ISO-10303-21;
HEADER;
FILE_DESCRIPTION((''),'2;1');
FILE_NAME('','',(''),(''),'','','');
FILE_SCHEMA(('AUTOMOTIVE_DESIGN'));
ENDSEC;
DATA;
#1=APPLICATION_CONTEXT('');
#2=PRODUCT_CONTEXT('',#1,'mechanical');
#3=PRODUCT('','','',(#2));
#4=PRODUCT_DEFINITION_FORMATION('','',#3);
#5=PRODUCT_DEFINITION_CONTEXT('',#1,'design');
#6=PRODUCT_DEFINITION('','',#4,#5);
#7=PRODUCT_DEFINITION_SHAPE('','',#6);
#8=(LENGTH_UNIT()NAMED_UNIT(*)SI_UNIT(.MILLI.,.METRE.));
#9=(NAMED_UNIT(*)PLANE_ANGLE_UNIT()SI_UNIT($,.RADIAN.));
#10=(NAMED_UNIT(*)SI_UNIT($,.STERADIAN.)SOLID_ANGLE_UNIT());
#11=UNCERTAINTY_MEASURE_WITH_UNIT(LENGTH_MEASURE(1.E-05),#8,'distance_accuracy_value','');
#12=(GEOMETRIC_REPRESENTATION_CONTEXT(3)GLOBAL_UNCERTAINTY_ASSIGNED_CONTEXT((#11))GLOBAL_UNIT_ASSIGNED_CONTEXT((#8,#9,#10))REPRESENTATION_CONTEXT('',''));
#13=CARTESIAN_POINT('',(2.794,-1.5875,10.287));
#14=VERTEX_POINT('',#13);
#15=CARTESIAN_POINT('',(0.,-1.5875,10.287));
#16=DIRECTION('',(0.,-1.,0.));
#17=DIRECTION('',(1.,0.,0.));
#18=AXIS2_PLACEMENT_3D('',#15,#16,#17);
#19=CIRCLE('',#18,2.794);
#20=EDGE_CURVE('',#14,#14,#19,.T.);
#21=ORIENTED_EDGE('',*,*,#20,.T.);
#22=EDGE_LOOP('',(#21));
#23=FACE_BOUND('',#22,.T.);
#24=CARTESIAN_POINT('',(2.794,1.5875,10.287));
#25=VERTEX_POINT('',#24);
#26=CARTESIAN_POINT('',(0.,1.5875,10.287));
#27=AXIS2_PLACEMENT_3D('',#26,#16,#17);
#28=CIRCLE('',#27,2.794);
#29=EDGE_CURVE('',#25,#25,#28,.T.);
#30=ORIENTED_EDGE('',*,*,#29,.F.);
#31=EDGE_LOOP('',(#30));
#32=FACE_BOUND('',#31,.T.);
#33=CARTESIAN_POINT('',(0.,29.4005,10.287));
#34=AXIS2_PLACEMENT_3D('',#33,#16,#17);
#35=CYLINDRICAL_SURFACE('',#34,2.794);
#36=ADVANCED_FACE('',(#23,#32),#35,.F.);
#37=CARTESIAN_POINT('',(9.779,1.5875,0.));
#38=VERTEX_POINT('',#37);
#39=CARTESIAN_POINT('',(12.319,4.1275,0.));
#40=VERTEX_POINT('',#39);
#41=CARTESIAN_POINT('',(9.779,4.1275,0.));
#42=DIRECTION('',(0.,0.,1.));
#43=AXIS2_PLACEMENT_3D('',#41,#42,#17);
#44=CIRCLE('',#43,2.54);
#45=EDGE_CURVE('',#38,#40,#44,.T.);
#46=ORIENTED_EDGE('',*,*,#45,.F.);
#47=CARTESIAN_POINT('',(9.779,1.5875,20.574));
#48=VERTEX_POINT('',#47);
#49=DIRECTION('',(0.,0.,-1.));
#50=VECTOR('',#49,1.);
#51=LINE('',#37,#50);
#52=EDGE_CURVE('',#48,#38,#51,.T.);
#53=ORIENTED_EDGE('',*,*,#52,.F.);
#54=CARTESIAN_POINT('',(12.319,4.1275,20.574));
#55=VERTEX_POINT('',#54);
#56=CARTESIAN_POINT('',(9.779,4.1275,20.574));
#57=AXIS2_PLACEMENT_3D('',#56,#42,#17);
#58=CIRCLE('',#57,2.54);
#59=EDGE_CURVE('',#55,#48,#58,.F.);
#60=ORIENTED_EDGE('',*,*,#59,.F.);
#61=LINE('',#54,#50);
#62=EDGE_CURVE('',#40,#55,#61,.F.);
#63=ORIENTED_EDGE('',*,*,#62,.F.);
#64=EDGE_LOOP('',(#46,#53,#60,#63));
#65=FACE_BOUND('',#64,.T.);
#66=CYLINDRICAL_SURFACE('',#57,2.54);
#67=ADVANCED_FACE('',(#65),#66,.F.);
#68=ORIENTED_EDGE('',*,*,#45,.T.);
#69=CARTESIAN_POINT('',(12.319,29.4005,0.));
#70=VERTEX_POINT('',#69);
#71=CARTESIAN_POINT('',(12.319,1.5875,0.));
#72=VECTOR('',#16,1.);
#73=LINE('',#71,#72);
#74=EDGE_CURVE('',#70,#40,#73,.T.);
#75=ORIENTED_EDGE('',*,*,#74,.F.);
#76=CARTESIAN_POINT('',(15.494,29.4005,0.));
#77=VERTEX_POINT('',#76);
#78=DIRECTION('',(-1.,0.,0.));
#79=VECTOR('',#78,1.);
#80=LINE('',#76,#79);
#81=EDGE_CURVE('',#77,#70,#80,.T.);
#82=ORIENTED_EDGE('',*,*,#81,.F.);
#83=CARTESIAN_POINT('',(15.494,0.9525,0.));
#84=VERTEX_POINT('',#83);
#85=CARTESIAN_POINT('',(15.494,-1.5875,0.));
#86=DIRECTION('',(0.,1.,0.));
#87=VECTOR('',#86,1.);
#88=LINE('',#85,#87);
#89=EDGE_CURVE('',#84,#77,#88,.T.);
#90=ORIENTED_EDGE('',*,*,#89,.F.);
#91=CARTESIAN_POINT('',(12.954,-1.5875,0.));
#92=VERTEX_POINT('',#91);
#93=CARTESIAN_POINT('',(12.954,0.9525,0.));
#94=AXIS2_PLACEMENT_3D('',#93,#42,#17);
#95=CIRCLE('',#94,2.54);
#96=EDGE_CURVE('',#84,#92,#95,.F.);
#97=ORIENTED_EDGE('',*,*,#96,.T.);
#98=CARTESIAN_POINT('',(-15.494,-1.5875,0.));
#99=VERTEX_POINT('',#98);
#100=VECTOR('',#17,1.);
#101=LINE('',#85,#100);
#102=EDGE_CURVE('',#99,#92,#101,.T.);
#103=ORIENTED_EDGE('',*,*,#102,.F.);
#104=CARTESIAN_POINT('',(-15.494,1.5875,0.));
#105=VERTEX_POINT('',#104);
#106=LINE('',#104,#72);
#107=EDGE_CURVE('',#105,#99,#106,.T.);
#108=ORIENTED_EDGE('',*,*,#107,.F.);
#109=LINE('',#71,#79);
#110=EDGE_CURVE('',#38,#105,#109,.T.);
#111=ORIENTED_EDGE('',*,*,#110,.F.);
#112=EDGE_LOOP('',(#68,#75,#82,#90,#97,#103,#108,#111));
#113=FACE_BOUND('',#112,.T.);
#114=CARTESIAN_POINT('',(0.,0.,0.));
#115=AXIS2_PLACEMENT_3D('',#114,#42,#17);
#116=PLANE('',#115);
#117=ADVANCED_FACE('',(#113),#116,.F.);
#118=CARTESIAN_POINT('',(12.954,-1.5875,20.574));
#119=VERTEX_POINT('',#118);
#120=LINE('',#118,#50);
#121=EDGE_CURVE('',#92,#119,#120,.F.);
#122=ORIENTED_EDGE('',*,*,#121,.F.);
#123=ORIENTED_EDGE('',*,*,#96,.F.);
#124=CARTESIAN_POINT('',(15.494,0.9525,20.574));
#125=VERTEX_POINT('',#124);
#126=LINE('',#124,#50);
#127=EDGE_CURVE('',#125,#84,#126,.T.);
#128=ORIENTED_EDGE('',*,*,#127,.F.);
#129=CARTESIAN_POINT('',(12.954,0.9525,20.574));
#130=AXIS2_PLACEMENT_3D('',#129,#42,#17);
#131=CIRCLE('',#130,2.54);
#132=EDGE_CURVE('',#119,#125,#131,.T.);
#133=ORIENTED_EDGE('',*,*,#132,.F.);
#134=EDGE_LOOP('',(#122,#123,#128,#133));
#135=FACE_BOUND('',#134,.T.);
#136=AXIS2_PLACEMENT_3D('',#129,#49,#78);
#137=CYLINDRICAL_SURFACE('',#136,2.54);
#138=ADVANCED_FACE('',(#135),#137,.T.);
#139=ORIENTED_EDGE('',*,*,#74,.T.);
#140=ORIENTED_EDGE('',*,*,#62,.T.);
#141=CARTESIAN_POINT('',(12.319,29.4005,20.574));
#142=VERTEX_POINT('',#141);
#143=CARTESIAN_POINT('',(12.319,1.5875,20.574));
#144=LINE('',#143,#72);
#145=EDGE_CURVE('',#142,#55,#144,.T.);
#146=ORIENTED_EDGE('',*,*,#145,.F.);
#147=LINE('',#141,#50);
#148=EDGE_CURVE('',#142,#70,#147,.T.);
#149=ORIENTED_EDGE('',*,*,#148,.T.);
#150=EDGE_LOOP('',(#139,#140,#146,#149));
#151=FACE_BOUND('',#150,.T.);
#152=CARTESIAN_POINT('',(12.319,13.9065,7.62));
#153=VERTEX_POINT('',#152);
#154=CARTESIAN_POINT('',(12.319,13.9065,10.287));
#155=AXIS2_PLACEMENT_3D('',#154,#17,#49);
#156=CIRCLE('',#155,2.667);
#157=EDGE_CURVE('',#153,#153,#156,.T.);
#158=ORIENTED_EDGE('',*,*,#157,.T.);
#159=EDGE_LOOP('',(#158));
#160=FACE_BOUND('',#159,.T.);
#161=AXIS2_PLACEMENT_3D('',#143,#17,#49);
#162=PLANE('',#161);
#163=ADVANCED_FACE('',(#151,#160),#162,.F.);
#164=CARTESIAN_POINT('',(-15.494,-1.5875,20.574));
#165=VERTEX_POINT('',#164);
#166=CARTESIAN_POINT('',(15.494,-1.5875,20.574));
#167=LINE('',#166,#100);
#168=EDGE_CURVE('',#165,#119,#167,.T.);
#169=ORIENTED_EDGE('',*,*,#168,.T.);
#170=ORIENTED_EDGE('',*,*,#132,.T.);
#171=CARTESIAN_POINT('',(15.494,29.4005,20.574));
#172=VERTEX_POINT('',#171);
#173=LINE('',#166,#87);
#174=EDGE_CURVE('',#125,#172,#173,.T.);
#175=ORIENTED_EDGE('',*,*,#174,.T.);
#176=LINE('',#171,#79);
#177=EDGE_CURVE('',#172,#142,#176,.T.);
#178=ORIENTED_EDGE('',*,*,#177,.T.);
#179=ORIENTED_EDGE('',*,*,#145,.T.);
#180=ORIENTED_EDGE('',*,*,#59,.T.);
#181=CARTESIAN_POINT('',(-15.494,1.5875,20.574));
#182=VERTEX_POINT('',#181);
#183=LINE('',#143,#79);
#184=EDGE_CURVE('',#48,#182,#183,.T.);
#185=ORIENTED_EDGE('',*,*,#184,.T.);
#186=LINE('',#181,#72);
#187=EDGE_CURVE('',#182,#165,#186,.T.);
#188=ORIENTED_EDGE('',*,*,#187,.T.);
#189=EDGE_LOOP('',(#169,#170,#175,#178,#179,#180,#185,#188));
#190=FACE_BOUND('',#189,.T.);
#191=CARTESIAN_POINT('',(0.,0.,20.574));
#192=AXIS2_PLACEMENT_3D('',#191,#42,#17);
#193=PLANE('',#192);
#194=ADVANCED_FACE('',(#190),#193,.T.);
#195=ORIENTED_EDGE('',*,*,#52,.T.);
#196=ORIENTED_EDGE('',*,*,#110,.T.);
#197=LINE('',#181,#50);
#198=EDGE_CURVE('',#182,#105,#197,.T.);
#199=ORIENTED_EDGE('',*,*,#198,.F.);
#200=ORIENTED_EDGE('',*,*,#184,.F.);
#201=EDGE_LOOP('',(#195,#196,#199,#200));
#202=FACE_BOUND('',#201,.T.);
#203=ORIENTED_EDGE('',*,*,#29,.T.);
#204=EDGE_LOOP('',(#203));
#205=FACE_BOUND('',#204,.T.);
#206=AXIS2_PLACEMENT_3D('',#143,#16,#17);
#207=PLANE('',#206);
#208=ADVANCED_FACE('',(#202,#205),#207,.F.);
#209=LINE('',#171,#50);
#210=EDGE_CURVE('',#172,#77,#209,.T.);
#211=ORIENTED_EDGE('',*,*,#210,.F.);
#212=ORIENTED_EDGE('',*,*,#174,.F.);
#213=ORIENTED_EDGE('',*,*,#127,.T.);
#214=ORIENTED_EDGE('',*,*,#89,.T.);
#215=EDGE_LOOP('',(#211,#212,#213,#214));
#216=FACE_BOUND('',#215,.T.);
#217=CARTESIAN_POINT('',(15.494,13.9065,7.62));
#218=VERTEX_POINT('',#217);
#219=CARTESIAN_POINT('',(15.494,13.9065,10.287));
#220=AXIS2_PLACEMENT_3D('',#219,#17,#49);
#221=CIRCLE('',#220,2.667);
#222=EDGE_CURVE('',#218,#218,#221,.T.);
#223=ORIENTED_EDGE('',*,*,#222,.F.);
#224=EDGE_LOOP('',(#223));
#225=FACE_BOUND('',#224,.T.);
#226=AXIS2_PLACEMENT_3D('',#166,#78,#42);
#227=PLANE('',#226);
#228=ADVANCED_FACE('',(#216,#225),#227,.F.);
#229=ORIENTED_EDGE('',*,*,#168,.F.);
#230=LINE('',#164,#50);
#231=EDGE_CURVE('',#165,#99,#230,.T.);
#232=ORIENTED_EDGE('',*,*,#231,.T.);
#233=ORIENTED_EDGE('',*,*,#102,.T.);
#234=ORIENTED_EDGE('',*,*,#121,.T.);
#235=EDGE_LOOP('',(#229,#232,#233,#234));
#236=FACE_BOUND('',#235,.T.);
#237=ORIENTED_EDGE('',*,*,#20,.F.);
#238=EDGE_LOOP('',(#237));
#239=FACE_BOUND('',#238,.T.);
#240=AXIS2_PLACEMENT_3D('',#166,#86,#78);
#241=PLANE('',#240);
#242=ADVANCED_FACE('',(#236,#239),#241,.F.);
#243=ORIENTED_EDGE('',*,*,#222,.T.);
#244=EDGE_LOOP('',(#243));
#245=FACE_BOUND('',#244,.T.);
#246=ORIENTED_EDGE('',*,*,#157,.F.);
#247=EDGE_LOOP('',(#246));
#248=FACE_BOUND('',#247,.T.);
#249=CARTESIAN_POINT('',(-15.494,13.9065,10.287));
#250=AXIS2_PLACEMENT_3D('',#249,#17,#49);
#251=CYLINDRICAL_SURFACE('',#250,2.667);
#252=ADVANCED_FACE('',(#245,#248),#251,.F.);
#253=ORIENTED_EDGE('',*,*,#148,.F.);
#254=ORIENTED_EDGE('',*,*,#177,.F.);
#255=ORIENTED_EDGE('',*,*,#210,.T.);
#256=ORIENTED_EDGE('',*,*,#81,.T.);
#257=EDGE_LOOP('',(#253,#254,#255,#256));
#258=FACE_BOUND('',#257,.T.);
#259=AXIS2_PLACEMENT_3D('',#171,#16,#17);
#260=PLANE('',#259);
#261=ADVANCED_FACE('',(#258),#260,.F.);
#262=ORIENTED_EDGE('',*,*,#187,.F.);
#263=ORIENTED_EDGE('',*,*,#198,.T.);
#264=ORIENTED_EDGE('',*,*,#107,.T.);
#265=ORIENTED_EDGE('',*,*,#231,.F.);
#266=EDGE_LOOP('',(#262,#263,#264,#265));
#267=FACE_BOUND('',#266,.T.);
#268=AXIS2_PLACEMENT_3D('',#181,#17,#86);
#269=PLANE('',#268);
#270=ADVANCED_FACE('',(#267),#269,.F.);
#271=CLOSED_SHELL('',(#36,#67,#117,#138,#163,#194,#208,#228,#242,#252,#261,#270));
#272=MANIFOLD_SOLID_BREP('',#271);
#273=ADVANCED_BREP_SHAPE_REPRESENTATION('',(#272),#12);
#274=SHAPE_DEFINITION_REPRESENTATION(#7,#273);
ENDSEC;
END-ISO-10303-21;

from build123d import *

# Parameters (mm, degrees)
BOSS_EXTRUDE1_DEPTH = 20.574
FILLET1_R           = 2.54
FILLET2_R           = 2.54
SKETCH2_R           = 2.667
CUT_EXTRUDE1_DEPTH  = 31.988
SKETCH3_R           = 2.794
CUT_EXTRUDE2_DEPTH  = 31.988


with BuildPart() as part:
    # Sketch1 → Boss-Extrude1 (new body)
    with BuildSketch(Plane.XY):
        Polygon((12.319, 1.5875), (12.319, 29.4005), (15.494, 29.4005), (15.494, -1.5875), (-15.494, -1.5875), (-15.494, 1.5875), align=None)
    extrude(amount=BOSS_EXTRUDE1_DEPTH)

    # Fillet1
    fillet1_edges = [part.edges().sort_by_distance(p)[0] for p in [
        (12.319, 1.5875, 10.287),
    ]]
    fillet(fillet1_edges, radius=FILLET1_R)

    # Fillet2
    fillet2_edges = [part.edges().sort_by_distance(p)[0] for p in [
        (15.494, -1.5875, 10.287),
    ]]
    fillet(fillet2_edges, radius=FILLET2_R)

    # Sketch2 → Cut-Extrude1 (cut, through all)
    with BuildSketch(Plane(origin=(15.494, 0, 0), x_dir=(0, 0, -1), z_dir=(1, 0, 0))):
        with Locations((-10.287, 13.9065)):
            Circle(SKETCH2_R)
    extrude(amount=-CUT_EXTRUDE1_DEPTH, mode=Mode.SUBTRACT)

    # Sketch3 → Cut-Extrude2 (cut, through all)
    with BuildSketch(Plane.XZ.offset(1.5875)):
        with Locations((0, 10.287)):
            Circle(SKETCH3_R)
    extrude(amount=-CUT_EXTRUDE2_DEPTH, mode=Mode.SUBTRACT)


solid = part.part
